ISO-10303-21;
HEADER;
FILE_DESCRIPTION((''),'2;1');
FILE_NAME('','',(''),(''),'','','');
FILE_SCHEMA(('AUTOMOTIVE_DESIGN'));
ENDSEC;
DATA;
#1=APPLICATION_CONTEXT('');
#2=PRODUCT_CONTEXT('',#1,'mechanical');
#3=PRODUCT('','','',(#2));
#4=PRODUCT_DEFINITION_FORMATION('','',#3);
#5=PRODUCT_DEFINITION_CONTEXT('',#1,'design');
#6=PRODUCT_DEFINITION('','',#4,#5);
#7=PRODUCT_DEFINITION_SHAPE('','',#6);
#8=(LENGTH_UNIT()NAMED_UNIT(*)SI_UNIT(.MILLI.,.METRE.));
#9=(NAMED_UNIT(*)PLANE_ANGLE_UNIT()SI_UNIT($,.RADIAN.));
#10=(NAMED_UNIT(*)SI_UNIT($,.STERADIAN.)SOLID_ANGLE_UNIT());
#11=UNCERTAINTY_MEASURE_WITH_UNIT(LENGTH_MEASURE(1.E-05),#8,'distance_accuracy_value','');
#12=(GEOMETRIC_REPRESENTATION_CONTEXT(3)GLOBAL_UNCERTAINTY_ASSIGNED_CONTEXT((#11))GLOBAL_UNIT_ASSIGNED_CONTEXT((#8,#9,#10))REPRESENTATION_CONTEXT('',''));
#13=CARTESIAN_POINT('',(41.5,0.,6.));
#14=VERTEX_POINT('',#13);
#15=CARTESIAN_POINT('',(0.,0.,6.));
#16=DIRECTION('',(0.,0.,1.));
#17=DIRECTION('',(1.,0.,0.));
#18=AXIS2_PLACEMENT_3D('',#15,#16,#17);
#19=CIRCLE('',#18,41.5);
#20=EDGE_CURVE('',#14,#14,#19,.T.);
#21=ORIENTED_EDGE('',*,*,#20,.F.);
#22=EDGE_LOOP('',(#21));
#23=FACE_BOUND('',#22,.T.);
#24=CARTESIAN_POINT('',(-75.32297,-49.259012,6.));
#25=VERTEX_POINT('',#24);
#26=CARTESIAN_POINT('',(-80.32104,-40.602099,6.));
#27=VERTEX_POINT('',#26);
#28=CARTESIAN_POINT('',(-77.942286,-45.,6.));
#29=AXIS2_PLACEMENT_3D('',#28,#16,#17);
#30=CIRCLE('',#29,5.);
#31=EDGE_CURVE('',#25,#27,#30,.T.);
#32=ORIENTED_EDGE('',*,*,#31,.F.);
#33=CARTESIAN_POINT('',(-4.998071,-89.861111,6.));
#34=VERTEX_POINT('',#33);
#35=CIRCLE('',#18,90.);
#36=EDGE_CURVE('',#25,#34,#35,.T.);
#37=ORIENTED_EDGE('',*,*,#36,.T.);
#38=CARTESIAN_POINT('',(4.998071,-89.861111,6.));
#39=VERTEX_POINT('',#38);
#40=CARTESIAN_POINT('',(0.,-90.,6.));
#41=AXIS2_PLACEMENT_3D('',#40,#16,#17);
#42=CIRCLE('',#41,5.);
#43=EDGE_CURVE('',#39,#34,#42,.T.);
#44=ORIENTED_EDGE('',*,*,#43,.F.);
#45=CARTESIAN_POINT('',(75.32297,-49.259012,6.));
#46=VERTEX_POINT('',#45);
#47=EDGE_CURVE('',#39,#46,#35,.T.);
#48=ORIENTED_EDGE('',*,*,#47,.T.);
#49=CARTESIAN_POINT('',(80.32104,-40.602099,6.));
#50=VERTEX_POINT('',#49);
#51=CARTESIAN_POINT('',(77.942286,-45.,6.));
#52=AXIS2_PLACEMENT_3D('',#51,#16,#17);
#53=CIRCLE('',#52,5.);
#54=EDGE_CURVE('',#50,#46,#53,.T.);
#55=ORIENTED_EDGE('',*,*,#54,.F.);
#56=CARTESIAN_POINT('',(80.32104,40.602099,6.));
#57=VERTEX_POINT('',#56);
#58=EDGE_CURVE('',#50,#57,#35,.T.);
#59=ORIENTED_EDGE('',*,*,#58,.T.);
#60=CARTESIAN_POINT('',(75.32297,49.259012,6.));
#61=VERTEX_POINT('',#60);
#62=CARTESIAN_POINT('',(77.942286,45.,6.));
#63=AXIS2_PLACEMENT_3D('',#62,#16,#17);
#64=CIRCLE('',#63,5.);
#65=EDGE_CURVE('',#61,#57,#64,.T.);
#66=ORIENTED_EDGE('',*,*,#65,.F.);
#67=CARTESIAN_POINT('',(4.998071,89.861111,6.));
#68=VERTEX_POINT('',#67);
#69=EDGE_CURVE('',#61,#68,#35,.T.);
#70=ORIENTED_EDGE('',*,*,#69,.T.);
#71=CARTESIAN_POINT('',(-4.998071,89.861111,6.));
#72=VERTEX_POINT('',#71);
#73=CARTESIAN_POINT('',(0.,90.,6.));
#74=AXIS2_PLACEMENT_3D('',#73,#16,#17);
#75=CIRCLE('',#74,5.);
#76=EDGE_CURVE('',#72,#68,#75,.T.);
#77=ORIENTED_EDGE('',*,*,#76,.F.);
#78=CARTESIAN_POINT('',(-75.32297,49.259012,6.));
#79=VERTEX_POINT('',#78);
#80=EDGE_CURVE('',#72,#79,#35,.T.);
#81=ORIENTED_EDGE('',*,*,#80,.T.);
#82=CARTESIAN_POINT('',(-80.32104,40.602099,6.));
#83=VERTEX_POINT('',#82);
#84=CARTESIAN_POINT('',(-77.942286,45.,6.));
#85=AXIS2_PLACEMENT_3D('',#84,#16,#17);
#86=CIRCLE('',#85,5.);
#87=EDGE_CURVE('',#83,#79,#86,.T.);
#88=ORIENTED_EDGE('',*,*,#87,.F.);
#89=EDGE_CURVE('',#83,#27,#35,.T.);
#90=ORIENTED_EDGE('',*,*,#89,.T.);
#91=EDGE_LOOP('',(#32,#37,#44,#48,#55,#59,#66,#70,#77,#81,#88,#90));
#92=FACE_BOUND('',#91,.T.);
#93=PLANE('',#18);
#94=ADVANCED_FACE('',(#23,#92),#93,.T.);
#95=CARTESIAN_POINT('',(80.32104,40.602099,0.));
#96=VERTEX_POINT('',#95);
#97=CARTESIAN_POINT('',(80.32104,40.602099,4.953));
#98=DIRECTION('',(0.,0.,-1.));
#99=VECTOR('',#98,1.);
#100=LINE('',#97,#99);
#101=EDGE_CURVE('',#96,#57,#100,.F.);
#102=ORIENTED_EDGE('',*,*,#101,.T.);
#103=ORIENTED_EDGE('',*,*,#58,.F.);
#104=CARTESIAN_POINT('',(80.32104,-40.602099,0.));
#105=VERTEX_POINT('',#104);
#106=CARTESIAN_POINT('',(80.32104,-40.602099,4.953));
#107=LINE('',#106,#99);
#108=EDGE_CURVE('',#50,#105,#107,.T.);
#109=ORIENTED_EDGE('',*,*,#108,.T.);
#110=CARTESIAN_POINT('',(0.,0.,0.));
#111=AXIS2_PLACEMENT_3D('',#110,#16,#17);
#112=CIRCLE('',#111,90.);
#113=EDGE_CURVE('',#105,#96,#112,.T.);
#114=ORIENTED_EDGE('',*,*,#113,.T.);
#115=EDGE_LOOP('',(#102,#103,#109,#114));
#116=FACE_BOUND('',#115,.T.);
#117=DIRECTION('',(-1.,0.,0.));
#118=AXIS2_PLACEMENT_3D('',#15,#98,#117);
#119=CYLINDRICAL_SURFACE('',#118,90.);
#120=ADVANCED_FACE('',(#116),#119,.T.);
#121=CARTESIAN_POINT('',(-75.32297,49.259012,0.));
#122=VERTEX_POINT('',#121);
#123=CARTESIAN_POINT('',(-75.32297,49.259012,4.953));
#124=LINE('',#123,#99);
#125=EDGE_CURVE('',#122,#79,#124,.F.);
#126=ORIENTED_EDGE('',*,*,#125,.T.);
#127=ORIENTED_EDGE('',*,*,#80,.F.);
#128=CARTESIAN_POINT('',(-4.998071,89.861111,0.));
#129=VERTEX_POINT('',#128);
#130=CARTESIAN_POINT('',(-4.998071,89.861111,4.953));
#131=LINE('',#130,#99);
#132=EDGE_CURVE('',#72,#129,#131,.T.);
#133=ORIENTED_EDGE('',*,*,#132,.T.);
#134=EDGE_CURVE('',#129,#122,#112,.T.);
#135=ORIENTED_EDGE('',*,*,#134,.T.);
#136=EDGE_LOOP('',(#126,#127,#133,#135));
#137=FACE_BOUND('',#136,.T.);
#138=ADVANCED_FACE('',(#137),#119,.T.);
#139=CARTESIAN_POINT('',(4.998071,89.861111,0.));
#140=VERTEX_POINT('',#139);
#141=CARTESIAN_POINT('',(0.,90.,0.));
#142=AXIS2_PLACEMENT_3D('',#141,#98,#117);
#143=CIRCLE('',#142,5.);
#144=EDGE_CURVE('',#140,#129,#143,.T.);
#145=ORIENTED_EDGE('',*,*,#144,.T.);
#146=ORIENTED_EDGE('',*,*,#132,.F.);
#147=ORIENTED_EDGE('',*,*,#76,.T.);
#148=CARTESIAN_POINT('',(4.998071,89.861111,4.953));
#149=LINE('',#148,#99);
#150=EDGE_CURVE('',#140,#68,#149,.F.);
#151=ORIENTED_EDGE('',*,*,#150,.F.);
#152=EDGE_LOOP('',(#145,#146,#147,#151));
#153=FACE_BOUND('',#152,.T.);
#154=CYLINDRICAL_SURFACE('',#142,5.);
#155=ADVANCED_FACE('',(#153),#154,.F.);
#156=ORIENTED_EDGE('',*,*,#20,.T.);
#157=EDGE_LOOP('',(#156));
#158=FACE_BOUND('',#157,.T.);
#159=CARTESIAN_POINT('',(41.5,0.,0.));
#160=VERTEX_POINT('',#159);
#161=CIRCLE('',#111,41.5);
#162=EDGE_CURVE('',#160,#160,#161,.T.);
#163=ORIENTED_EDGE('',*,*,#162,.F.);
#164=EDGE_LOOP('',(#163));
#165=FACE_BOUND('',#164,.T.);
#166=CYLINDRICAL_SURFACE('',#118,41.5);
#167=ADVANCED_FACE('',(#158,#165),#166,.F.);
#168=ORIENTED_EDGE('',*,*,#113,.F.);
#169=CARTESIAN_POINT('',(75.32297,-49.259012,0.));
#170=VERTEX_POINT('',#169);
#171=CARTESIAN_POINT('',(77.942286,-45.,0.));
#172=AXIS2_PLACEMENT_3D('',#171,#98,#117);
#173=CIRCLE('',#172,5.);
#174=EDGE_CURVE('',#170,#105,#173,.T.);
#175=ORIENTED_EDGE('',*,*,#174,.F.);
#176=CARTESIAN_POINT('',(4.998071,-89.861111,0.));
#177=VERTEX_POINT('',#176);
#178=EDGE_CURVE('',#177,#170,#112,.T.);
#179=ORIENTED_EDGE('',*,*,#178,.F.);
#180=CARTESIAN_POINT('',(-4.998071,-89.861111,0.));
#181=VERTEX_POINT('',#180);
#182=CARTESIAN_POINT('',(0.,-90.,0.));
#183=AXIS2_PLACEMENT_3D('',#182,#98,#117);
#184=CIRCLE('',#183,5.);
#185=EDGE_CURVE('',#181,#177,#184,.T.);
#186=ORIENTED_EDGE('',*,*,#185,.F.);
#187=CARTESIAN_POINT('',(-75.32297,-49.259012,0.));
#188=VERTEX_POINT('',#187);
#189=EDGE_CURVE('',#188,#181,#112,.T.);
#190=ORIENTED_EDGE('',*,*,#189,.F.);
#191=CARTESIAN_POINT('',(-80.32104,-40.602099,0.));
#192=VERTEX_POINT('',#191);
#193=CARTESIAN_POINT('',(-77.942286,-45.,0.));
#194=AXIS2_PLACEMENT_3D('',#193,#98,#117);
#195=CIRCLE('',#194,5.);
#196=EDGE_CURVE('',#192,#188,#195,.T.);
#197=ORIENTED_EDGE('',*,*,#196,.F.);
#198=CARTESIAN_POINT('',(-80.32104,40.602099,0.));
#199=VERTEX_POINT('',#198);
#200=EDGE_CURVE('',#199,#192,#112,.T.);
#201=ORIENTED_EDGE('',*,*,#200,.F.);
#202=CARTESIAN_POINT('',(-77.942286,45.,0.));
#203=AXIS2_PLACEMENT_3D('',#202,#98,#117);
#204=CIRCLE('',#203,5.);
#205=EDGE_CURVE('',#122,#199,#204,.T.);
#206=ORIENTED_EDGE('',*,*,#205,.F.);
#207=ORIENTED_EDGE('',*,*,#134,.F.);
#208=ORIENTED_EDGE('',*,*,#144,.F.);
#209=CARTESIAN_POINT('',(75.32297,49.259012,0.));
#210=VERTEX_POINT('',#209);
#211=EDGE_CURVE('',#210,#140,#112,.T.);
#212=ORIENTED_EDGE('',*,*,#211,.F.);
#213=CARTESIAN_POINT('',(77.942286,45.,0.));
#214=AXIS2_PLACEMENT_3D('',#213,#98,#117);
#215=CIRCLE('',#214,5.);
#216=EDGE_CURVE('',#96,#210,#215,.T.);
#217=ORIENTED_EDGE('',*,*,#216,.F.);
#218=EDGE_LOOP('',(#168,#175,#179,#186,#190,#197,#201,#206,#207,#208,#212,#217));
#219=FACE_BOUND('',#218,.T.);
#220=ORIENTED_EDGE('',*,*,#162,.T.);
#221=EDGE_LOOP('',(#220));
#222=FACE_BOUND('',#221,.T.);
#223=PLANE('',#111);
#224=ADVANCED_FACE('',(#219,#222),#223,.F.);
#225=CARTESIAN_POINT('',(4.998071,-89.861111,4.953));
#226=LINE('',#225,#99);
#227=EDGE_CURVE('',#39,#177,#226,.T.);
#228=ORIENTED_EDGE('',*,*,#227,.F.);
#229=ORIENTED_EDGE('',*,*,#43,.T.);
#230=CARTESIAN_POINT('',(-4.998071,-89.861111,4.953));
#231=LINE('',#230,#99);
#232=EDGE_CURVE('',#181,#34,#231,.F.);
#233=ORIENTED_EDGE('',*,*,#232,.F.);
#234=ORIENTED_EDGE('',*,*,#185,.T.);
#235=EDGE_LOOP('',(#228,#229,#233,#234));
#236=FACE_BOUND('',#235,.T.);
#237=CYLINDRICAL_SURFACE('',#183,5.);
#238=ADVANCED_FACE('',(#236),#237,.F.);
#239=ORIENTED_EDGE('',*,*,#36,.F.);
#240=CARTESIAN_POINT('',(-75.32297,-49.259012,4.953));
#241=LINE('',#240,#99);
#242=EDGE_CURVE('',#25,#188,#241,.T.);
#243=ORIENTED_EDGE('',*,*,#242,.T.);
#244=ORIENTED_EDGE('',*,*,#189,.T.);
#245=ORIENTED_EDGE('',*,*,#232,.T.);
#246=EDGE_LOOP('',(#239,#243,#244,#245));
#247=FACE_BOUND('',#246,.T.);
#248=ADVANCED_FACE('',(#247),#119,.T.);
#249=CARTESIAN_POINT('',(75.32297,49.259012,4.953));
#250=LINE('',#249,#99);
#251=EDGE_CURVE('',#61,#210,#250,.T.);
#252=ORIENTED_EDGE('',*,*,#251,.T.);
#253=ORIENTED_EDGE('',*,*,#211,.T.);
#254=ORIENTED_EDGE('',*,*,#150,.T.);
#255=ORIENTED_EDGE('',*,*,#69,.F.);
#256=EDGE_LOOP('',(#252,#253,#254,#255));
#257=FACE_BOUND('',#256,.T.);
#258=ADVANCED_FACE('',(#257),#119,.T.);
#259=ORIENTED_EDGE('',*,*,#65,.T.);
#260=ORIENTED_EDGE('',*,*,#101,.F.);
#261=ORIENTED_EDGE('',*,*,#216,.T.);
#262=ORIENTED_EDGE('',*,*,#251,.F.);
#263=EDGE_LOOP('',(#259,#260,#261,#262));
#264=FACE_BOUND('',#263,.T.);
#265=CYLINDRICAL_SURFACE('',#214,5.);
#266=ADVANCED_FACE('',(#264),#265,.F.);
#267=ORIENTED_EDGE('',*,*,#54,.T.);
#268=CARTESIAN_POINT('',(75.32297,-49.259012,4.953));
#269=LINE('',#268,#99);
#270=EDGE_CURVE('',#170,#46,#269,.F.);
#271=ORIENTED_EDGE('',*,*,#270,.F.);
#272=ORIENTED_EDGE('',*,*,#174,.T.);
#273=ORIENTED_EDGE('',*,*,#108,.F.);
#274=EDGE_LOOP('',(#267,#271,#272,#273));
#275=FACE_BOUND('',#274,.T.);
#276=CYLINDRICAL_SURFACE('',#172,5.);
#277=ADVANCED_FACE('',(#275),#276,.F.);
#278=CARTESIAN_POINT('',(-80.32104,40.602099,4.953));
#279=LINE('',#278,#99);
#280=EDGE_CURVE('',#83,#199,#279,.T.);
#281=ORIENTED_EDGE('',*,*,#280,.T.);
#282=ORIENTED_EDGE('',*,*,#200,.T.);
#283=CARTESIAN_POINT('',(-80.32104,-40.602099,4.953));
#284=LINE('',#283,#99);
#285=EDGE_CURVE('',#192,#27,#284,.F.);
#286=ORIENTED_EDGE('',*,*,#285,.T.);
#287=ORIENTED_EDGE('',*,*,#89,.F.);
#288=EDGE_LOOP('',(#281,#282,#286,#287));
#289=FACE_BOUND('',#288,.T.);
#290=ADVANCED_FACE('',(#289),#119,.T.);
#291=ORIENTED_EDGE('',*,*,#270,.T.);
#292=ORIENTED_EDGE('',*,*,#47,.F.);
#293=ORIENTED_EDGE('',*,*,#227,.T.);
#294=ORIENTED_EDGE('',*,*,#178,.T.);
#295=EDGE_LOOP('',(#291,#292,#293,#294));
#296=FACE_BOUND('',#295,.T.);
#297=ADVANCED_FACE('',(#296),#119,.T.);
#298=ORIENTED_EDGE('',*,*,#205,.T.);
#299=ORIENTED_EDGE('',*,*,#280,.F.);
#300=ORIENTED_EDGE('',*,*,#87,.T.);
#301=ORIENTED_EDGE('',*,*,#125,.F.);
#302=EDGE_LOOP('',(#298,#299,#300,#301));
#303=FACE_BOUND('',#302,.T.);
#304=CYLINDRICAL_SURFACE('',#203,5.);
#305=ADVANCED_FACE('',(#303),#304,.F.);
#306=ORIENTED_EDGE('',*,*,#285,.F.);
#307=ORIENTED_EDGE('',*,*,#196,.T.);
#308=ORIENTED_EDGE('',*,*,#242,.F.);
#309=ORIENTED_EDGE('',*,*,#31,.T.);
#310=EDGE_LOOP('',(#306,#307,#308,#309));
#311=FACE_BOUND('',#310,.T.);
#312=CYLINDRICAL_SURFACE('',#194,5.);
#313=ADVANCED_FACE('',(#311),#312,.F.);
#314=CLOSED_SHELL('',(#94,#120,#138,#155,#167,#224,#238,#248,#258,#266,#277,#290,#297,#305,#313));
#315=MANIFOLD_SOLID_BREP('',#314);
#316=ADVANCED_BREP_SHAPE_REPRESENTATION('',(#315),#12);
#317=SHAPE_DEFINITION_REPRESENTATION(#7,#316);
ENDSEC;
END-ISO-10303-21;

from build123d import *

# Parameters (mm, degrees)
SKETCH1_R                  = 90
SKETCH1_R_2                = 41.5
BOSS_EXTRUDE1_DEPTH        = 6
F_10_0MM_DOWEL_HOLE1_D     = 10
F_10_0MM_DOWEL_HOLE1_DEPTH = 9.906
F_10_0MM_DOWEL_HOLE1_TIP   = 3.004303095


with BuildPart() as part:
    # Sketch1 → Boss-Extrude1 (new body)
    with BuildSketch(Plane.XY):
        Circle(SKETCH1_R)
        Circle(SKETCH1_R_2, mode=Mode.SUBTRACT)
    extrude(amount=BOSS_EXTRUDE1_DEPTH)

    # Ø10.0mm Dowel Hole1
    with Locations(Plane(origin=(0, 0, 0), x_dir=(-1, 0, 0), z_dir=(0, 0, -1))):
        with Locations((-77.942286341, 45), (-77.942286341, -45), (0, -90), (77.942286341, -45), (77.942286341, 45), (0, 90)):
            Hole(F_10_0MM_DOWEL_HOLE1_D / 2, depth=F_10_0MM_DOWEL_HOLE1_DEPTH)
            with Locations((0, 0, -(F_10_0MM_DOWEL_HOLE1_DEPTH + F_10_0MM_DOWEL_HOLE1_TIP / 2))):  # 118° drill point
                Cone(0, F_10_0MM_DOWEL_HOLE1_D / 2, F_10_0MM_DOWEL_HOLE1_TIP, mode=Mode.SUBTRACT)


solid = part.part
